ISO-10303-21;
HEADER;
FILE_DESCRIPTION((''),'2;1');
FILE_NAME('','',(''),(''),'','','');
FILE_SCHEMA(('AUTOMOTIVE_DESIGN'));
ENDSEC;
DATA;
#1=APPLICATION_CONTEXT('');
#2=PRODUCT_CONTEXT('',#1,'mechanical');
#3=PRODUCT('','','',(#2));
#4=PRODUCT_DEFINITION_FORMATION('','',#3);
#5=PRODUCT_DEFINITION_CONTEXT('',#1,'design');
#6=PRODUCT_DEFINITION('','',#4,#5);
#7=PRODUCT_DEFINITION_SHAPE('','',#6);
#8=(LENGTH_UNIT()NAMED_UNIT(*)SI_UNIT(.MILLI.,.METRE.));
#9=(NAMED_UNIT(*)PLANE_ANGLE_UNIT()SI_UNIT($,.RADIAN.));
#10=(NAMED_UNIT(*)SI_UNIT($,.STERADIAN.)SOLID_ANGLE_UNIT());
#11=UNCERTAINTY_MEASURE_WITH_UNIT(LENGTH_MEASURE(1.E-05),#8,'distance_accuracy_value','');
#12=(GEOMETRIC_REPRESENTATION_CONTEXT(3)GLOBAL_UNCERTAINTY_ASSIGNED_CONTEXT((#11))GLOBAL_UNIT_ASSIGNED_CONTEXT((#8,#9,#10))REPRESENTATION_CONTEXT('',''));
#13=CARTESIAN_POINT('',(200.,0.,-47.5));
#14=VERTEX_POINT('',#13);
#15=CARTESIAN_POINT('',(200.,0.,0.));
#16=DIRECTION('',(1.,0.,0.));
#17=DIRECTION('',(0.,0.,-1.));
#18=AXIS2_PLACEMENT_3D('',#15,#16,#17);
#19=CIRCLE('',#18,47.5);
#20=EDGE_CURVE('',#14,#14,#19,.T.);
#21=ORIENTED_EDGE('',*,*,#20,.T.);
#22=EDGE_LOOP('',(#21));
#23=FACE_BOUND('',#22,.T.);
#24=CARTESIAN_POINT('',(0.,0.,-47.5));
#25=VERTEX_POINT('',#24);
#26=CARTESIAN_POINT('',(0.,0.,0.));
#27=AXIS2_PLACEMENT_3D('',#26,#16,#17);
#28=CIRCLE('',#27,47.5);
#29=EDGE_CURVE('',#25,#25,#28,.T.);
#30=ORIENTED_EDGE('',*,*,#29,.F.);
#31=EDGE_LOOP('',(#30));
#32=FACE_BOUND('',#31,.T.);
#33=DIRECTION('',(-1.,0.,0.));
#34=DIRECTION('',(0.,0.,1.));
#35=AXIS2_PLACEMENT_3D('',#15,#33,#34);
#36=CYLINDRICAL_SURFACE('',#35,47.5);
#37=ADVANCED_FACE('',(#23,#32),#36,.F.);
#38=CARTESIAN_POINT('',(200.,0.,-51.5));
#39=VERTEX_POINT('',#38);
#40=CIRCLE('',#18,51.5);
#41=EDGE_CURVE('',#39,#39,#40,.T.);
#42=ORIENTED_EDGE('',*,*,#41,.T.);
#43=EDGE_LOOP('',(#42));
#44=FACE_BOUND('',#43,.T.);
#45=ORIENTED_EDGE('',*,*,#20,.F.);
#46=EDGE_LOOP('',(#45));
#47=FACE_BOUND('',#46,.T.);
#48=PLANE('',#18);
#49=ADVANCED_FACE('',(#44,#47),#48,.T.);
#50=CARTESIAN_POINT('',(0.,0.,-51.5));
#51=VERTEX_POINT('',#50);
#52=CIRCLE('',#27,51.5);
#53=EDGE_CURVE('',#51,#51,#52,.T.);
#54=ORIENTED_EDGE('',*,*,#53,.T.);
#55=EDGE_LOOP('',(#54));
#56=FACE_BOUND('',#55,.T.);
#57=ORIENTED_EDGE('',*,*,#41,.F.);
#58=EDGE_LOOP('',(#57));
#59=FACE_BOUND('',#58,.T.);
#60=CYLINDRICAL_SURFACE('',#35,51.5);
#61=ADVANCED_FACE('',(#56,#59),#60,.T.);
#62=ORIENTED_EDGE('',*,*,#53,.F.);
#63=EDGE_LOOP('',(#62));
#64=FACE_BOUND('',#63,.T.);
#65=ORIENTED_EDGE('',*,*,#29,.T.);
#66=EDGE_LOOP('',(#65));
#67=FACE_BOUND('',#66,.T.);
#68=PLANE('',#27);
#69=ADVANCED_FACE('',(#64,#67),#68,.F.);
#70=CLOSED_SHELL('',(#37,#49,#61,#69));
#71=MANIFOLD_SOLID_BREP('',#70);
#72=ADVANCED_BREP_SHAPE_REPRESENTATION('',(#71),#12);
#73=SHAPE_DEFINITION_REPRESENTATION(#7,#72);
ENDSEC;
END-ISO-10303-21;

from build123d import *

# Parameters (mm, degrees)
ESQUISSE1_R        = 51.5
ESQUISSE1_R_2      = 47.5
BOSS_EXTRU_1_DEPTH = 200


with BuildPart() as part:
    # Esquisse1 → Boss.-Extru.1 (new body)
    with BuildSketch(Plane(origin=(0, 0, 0), x_dir=(0, 0, -1), z_dir=(1, 0, 0))):
        Circle(ESQUISSE1_R)
        Circle(ESQUISSE1_R_2, mode=Mode.SUBTRACT)
    extrude(amount=BOSS_EXTRU_1_DEPTH)


solid = part.part
